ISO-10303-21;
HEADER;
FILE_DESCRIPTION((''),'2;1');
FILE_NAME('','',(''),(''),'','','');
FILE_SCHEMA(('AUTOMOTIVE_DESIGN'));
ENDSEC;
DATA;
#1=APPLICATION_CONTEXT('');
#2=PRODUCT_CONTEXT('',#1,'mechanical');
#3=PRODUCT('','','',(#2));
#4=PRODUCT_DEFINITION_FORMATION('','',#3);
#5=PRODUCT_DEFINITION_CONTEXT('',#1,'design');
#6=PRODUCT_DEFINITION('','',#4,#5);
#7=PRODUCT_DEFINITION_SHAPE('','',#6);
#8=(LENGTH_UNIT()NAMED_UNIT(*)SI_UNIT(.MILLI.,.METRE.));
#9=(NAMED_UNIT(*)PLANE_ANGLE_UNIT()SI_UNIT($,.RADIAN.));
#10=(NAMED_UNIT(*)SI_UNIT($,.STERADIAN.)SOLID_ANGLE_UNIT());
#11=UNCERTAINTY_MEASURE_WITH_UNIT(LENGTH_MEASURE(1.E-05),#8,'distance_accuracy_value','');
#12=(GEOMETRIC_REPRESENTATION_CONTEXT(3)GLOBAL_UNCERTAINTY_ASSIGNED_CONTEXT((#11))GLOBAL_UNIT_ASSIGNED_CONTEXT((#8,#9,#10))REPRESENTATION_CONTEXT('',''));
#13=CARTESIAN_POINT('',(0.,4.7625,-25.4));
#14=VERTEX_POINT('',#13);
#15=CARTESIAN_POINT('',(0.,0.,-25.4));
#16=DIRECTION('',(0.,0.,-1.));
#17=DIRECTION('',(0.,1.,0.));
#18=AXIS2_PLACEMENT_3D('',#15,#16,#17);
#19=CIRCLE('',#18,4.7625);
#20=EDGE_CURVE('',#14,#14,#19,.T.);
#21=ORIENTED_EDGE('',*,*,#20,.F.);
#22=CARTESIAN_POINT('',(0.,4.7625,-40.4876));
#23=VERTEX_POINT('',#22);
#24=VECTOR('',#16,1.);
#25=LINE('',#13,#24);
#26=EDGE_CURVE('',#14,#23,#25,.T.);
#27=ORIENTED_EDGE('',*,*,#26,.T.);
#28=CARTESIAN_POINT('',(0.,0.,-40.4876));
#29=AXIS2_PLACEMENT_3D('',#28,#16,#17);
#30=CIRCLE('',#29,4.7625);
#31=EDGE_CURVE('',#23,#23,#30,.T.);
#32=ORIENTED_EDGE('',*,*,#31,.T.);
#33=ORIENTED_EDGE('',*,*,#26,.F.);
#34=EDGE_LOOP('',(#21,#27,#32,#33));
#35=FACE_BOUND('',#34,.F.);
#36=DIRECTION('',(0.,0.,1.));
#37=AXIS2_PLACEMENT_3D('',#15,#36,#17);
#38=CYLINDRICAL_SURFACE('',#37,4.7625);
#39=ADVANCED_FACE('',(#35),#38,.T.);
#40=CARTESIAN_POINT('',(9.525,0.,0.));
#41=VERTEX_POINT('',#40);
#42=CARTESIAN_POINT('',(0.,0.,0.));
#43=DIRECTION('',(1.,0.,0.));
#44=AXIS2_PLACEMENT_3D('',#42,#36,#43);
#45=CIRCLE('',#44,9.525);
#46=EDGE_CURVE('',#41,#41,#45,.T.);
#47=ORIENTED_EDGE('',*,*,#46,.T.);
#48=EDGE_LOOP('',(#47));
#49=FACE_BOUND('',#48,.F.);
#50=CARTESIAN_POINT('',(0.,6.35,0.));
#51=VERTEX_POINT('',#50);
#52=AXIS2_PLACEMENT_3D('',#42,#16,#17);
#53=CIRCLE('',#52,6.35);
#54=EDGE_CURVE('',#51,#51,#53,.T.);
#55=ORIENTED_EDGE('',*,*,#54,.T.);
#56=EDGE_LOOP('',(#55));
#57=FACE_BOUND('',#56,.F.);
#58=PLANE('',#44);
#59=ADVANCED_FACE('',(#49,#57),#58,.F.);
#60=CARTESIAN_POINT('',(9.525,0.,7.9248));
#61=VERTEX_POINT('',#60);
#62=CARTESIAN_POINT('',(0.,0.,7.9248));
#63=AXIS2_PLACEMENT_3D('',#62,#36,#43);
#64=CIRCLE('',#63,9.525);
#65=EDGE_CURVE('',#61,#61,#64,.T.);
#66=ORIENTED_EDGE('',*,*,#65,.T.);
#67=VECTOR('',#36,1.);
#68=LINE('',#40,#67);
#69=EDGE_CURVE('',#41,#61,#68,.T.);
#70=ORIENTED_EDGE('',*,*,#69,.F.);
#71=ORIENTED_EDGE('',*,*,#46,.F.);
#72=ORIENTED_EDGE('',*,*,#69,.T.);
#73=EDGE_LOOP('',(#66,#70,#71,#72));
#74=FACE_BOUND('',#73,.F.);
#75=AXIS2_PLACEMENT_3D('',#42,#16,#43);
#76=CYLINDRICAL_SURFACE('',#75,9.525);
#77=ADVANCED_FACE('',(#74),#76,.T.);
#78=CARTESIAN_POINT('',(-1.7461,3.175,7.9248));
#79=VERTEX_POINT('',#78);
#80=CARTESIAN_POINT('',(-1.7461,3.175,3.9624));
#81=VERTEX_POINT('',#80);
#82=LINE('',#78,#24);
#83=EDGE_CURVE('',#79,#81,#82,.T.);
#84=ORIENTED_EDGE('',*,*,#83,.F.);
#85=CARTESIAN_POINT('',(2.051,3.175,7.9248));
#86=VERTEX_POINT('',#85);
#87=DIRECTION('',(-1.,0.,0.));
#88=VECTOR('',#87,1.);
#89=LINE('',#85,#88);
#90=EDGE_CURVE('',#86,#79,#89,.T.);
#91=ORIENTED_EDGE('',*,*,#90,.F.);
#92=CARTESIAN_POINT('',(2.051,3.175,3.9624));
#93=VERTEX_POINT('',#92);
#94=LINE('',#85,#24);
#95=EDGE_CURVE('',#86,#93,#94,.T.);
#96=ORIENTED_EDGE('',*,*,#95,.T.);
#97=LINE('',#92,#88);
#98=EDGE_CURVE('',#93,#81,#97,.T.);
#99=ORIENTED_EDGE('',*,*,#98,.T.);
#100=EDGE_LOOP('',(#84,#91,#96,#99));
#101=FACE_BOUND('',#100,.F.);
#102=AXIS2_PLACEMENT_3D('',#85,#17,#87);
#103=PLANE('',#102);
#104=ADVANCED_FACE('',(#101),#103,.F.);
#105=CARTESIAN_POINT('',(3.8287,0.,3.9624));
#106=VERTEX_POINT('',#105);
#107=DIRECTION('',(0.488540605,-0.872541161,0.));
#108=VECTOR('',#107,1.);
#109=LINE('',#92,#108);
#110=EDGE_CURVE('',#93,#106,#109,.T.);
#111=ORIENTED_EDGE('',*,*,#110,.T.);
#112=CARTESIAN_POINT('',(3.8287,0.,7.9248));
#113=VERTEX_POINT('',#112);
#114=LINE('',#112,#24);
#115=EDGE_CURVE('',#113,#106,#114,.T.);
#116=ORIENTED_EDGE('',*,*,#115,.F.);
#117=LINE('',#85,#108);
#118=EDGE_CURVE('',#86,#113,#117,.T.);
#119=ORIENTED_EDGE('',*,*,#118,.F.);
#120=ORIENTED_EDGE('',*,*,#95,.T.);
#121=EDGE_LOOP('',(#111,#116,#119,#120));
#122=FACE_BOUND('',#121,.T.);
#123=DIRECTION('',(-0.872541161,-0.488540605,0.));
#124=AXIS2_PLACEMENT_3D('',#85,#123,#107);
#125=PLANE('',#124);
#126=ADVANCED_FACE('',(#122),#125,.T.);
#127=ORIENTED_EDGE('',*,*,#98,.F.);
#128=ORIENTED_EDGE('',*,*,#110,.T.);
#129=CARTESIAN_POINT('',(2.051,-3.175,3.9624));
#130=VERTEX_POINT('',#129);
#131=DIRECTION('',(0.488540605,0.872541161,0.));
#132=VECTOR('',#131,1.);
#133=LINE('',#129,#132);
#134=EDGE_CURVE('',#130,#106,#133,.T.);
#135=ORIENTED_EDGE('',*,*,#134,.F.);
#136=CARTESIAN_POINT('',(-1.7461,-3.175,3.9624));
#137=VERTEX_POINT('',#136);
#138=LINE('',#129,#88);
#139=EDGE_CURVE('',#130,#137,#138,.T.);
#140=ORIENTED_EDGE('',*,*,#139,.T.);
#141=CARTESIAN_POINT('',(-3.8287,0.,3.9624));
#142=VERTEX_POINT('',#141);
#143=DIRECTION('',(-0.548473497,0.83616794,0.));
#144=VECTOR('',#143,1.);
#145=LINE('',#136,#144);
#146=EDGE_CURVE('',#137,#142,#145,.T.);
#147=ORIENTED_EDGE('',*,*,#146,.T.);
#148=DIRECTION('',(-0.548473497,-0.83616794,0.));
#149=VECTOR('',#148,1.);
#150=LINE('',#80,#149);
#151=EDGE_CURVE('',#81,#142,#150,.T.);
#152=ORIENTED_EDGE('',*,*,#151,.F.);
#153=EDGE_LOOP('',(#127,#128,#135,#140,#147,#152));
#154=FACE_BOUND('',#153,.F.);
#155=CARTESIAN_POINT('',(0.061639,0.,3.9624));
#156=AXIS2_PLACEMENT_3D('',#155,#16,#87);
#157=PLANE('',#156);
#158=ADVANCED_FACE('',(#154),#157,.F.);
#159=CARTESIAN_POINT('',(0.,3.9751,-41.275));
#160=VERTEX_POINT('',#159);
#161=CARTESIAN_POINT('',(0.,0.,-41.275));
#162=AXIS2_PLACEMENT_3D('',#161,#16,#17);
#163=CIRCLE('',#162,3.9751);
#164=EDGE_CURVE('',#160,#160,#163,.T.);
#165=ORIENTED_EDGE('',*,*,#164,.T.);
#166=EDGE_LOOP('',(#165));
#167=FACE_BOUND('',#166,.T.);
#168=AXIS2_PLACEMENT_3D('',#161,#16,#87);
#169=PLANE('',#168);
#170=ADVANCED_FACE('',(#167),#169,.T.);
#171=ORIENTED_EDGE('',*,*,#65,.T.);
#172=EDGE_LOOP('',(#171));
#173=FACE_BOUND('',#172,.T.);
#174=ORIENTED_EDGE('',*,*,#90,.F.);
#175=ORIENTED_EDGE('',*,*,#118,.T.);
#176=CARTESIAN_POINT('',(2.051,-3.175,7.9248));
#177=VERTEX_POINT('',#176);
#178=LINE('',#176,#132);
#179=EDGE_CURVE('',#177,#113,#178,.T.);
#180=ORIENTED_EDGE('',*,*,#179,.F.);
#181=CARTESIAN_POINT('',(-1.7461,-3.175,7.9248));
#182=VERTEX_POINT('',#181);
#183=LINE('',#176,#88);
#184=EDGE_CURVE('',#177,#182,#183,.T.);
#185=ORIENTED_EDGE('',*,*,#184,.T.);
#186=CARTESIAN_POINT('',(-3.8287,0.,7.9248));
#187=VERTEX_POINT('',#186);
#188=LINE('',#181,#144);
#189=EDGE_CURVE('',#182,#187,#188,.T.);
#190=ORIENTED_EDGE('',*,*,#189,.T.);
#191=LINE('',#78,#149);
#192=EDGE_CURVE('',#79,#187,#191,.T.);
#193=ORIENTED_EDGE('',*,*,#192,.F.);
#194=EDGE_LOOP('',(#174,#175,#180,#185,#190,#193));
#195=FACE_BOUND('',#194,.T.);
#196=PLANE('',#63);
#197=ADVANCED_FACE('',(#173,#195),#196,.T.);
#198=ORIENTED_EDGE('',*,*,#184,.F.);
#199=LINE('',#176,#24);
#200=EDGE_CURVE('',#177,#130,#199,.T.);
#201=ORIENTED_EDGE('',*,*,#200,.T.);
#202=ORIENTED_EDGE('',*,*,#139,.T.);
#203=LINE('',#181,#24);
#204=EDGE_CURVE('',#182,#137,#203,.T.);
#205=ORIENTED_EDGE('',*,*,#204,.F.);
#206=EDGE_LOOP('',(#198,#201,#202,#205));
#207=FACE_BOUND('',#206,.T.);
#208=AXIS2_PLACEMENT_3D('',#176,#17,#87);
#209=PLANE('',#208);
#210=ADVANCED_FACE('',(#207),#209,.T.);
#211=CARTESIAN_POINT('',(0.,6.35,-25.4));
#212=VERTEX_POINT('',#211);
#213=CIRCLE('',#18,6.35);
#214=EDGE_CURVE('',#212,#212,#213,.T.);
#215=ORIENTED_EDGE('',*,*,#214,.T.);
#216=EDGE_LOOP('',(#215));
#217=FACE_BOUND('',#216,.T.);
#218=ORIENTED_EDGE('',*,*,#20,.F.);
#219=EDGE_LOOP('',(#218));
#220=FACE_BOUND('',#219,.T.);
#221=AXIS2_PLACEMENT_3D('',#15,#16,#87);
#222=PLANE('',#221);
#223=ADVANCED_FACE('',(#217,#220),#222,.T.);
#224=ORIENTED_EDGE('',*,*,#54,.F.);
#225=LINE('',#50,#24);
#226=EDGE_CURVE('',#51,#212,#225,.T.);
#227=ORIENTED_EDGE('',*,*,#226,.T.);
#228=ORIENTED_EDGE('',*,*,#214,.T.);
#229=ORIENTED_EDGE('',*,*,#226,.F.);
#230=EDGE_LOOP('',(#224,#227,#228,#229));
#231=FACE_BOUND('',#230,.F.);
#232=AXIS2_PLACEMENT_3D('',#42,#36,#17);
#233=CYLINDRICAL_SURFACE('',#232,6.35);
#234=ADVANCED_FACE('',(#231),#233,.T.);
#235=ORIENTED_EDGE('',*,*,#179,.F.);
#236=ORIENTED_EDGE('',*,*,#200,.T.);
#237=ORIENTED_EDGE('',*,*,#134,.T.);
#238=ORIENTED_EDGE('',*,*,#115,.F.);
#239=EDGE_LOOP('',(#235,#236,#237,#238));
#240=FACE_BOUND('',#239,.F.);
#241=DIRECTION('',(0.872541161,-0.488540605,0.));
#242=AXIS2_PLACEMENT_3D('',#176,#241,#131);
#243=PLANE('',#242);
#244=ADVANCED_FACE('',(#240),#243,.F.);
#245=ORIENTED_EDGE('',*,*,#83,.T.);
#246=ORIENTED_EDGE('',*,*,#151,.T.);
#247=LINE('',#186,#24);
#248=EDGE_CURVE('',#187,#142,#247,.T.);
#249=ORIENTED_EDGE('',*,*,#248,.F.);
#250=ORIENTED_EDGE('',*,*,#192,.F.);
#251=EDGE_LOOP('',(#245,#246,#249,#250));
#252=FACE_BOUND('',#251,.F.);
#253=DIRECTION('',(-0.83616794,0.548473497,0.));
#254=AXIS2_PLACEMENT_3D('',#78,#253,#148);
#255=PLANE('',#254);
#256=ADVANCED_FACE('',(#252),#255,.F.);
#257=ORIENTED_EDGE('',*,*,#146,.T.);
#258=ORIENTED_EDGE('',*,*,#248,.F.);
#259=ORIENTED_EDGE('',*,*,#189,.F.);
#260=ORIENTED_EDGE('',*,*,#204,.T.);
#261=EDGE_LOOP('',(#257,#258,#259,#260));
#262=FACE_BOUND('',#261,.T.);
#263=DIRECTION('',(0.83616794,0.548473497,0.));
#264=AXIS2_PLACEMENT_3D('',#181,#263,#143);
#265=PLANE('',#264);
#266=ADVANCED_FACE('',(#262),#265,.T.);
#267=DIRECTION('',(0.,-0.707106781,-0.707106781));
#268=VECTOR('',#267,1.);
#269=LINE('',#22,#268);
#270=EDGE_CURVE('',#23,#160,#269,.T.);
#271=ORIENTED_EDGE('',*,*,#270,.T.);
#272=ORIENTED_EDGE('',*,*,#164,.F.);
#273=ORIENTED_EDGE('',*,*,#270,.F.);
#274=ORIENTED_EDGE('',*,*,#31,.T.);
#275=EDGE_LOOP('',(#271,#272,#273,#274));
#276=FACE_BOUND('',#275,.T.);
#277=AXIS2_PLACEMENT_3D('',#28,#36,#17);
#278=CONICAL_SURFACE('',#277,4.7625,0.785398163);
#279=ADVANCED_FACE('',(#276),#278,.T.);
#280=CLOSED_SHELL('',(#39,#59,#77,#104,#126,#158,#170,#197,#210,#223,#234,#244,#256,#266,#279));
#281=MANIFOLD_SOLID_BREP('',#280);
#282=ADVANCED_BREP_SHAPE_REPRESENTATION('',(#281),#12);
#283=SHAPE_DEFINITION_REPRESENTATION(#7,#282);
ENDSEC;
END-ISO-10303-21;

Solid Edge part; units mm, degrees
sketch "Sketch1" plane through (0, 0, 0) normal (0, 0, 1) x (1, 0, 0)
  circle A0 centre (0, 0) radius 9.525
  dimension "D1" = 19.05
extrude "Protrusion1" add sketch "Sketch1" along normal blind 7.9248
sketch "Sketch2" plane through (0, 0, 0) normal (0, 0, -1) x (0, 1, 0)
  circle A0 centre (0, 0) radius 6.35
  dimension "D1" = 12.7
extrude "Protrusion2" add sketch "Sketch2" along normal blind 25.4
sketch "Sketch3" plane through (0, 0, -25.4) normal (0, 0, -1) x (0, 1, 0)
  circle A0 centre (0, 0) radius 4.7625
  dimension "D1" = 9.525
extrude "Protrusion3" add sketch "Sketch3" along normal blind 15.875
sketch "Sketch4" plane through (0, 0, 7.9248) normal (0, 0, 1) x (0, 1, 0)
  line L0 (-3.175, 1.7461) -> (0, 3.8287)
  line L1 (-3.175, -2.051) -> (-3.175, 1.7461)
  line L2 (-3.175, -2.051) -> (0, -3.8287)
  line L3 (3.175, -2.051) -> (0, -3.8287)
  line L4 (3.175, -2.051) -> (3.175, 1.7461)
  line L5 (3.175, 1.7461) -> (0, 3.8287)
  dimension "D1" = 6.35
extrude "Cutout1" cut sketch "Sketch4" against normal blind 3.9624
chamfer "Chamfer1" distance 0.7874 angle 45 1 edges at (0, -4.7625, -41.275)
properties part number "142957"
